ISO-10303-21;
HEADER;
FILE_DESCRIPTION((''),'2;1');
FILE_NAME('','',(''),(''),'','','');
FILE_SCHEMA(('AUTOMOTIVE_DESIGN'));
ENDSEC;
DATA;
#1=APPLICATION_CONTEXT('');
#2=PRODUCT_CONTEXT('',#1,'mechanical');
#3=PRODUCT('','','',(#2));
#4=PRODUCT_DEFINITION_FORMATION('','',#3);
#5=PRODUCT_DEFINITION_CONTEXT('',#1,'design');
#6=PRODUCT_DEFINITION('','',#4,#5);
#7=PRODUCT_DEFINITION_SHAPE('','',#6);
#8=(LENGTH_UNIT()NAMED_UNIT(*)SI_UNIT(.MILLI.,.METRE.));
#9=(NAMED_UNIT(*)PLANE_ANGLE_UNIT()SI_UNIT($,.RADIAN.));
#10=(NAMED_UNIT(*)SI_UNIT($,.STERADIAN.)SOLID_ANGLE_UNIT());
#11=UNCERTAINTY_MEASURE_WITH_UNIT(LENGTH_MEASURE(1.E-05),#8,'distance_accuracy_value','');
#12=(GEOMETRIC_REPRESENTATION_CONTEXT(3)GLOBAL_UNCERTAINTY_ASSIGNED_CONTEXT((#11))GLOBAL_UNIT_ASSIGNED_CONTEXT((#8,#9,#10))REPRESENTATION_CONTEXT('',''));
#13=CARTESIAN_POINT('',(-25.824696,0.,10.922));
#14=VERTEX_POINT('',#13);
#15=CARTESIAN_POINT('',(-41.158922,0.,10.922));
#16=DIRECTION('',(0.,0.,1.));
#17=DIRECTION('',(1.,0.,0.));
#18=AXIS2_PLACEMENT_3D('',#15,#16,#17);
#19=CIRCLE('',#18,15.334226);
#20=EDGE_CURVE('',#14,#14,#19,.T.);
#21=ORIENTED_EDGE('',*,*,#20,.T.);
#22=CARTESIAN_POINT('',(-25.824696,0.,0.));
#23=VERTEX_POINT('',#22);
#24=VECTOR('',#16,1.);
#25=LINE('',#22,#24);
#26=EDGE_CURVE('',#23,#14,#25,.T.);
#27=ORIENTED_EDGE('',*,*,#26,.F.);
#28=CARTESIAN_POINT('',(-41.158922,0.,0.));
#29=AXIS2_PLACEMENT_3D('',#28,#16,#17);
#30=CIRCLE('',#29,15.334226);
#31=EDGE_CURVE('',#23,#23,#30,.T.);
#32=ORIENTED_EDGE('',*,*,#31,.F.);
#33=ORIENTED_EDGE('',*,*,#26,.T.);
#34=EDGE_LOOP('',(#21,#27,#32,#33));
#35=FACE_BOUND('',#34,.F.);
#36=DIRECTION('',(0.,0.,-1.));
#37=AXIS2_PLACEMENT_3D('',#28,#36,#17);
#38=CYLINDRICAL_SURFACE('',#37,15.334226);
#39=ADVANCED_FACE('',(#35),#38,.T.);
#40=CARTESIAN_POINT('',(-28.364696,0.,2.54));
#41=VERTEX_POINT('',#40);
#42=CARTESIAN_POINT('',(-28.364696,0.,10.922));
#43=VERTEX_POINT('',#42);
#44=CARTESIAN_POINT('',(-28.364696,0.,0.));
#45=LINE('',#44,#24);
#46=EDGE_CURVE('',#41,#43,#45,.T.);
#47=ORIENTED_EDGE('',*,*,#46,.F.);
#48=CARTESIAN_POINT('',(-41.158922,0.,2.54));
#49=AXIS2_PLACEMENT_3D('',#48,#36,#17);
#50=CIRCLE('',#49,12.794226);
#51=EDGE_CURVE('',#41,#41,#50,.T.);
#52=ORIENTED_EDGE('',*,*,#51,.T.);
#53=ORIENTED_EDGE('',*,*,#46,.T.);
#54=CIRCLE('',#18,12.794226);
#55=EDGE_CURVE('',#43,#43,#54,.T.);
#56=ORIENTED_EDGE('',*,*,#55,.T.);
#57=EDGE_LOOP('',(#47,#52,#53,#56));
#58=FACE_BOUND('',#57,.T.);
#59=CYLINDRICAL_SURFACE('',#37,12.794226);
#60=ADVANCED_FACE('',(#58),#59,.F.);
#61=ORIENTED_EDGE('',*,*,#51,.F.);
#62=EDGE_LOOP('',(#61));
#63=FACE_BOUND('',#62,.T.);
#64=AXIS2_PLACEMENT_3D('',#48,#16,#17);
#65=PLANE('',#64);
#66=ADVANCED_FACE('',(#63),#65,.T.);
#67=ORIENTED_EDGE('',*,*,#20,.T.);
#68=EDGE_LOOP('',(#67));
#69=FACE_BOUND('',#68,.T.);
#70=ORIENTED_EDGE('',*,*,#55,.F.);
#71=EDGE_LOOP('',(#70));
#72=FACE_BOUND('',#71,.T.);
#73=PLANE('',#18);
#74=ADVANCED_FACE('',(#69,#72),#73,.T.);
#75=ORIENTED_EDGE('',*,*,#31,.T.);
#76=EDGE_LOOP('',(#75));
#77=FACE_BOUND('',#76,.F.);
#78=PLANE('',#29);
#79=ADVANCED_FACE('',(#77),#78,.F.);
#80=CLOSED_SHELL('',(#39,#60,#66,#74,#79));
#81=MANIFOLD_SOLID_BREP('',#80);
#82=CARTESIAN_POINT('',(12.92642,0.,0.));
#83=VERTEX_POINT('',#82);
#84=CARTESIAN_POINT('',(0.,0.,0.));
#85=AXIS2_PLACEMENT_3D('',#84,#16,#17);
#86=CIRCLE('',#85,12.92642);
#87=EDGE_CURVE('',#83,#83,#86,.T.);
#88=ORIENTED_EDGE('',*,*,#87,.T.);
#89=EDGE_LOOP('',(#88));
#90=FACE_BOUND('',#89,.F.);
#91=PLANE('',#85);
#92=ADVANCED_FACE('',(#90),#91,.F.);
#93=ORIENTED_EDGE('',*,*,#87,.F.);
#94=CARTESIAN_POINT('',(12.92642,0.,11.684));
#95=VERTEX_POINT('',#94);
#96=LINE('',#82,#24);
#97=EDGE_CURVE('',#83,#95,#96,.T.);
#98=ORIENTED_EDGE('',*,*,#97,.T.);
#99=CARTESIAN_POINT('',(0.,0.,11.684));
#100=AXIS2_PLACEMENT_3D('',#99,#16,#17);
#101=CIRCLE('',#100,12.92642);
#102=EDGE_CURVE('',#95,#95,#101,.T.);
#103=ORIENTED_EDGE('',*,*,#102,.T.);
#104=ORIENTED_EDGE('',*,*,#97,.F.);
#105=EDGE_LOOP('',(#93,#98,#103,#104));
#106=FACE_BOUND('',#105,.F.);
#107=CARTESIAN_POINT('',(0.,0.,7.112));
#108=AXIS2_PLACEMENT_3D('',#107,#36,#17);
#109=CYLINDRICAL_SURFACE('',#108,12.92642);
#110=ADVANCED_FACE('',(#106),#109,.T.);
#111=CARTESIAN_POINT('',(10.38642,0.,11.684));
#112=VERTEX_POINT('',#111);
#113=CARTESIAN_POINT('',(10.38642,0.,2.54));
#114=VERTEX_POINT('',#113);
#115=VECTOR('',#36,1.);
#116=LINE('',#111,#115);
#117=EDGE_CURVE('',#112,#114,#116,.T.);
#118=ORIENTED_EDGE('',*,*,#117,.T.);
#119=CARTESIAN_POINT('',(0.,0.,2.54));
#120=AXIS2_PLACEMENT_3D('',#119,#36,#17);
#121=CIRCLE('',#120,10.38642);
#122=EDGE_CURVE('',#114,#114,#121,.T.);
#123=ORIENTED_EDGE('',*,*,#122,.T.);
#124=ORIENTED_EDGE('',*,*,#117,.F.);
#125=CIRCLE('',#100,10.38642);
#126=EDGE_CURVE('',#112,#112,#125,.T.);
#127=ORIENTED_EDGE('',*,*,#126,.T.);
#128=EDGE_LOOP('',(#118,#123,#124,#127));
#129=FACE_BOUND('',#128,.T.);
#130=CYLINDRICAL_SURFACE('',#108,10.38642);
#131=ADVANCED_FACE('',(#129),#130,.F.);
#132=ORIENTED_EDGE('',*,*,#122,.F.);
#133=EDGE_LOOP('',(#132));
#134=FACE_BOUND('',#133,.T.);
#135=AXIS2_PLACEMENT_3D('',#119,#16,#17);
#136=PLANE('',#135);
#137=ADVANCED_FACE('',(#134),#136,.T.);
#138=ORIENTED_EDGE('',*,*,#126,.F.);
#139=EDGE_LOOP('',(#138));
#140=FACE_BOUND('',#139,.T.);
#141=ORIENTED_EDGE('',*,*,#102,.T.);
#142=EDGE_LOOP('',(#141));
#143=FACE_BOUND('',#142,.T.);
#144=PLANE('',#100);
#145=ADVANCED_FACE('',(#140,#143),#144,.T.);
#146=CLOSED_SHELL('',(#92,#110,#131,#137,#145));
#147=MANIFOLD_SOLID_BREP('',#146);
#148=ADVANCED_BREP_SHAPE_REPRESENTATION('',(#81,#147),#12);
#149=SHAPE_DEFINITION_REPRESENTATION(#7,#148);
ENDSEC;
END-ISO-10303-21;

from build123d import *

# Parameters (mm, degrees)
F0_R     = 12.9264196596
F1_DEPTH = 7.112
F2_T     = -2.54
F3_DEPTH = 4.572
F4_R     = 15.334226066
F5_DEPTH = 10.922
F6_T     = -2.54


with BuildPart() as f1:
    # F0 (on Top) → F1 (new body)
    with BuildSketch(Plane.XY):
        Circle(F0_R)
    extrude(amount=F1_DEPTH)

    # F2
    f2_openings = [f1.faces().sort_by_distance(p)[0] for p in [
        (0, 0, 7.112),
    ]]
    offset(amount=F2_T, openings=f2_openings)

    # F3 (add): a face of the model
    f3_faces = [f1.faces().sort_by_distance(p)[0] for p in [
        (-12.5608052997, 0, 7.112),
    ]]
    extrude(f3_faces, amount=F3_DEPTH)


with BuildPart() as f5:
    # F4 (on Top) → F5 (new body)
    with BuildSketch(Plane.XY):
        with Locations((-41.1589220166, 0)):
            Circle(F4_R)
    extrude(amount=F5_DEPTH)

    # F6
    f6_openings = [f5.faces().sort_by_distance(p)[0] for p in [
        (-41.158922, 0, 10.922),
    ]]
    offset(amount=F6_T, openings=f6_openings)


solid = Compound([f1.part, f5.part])
